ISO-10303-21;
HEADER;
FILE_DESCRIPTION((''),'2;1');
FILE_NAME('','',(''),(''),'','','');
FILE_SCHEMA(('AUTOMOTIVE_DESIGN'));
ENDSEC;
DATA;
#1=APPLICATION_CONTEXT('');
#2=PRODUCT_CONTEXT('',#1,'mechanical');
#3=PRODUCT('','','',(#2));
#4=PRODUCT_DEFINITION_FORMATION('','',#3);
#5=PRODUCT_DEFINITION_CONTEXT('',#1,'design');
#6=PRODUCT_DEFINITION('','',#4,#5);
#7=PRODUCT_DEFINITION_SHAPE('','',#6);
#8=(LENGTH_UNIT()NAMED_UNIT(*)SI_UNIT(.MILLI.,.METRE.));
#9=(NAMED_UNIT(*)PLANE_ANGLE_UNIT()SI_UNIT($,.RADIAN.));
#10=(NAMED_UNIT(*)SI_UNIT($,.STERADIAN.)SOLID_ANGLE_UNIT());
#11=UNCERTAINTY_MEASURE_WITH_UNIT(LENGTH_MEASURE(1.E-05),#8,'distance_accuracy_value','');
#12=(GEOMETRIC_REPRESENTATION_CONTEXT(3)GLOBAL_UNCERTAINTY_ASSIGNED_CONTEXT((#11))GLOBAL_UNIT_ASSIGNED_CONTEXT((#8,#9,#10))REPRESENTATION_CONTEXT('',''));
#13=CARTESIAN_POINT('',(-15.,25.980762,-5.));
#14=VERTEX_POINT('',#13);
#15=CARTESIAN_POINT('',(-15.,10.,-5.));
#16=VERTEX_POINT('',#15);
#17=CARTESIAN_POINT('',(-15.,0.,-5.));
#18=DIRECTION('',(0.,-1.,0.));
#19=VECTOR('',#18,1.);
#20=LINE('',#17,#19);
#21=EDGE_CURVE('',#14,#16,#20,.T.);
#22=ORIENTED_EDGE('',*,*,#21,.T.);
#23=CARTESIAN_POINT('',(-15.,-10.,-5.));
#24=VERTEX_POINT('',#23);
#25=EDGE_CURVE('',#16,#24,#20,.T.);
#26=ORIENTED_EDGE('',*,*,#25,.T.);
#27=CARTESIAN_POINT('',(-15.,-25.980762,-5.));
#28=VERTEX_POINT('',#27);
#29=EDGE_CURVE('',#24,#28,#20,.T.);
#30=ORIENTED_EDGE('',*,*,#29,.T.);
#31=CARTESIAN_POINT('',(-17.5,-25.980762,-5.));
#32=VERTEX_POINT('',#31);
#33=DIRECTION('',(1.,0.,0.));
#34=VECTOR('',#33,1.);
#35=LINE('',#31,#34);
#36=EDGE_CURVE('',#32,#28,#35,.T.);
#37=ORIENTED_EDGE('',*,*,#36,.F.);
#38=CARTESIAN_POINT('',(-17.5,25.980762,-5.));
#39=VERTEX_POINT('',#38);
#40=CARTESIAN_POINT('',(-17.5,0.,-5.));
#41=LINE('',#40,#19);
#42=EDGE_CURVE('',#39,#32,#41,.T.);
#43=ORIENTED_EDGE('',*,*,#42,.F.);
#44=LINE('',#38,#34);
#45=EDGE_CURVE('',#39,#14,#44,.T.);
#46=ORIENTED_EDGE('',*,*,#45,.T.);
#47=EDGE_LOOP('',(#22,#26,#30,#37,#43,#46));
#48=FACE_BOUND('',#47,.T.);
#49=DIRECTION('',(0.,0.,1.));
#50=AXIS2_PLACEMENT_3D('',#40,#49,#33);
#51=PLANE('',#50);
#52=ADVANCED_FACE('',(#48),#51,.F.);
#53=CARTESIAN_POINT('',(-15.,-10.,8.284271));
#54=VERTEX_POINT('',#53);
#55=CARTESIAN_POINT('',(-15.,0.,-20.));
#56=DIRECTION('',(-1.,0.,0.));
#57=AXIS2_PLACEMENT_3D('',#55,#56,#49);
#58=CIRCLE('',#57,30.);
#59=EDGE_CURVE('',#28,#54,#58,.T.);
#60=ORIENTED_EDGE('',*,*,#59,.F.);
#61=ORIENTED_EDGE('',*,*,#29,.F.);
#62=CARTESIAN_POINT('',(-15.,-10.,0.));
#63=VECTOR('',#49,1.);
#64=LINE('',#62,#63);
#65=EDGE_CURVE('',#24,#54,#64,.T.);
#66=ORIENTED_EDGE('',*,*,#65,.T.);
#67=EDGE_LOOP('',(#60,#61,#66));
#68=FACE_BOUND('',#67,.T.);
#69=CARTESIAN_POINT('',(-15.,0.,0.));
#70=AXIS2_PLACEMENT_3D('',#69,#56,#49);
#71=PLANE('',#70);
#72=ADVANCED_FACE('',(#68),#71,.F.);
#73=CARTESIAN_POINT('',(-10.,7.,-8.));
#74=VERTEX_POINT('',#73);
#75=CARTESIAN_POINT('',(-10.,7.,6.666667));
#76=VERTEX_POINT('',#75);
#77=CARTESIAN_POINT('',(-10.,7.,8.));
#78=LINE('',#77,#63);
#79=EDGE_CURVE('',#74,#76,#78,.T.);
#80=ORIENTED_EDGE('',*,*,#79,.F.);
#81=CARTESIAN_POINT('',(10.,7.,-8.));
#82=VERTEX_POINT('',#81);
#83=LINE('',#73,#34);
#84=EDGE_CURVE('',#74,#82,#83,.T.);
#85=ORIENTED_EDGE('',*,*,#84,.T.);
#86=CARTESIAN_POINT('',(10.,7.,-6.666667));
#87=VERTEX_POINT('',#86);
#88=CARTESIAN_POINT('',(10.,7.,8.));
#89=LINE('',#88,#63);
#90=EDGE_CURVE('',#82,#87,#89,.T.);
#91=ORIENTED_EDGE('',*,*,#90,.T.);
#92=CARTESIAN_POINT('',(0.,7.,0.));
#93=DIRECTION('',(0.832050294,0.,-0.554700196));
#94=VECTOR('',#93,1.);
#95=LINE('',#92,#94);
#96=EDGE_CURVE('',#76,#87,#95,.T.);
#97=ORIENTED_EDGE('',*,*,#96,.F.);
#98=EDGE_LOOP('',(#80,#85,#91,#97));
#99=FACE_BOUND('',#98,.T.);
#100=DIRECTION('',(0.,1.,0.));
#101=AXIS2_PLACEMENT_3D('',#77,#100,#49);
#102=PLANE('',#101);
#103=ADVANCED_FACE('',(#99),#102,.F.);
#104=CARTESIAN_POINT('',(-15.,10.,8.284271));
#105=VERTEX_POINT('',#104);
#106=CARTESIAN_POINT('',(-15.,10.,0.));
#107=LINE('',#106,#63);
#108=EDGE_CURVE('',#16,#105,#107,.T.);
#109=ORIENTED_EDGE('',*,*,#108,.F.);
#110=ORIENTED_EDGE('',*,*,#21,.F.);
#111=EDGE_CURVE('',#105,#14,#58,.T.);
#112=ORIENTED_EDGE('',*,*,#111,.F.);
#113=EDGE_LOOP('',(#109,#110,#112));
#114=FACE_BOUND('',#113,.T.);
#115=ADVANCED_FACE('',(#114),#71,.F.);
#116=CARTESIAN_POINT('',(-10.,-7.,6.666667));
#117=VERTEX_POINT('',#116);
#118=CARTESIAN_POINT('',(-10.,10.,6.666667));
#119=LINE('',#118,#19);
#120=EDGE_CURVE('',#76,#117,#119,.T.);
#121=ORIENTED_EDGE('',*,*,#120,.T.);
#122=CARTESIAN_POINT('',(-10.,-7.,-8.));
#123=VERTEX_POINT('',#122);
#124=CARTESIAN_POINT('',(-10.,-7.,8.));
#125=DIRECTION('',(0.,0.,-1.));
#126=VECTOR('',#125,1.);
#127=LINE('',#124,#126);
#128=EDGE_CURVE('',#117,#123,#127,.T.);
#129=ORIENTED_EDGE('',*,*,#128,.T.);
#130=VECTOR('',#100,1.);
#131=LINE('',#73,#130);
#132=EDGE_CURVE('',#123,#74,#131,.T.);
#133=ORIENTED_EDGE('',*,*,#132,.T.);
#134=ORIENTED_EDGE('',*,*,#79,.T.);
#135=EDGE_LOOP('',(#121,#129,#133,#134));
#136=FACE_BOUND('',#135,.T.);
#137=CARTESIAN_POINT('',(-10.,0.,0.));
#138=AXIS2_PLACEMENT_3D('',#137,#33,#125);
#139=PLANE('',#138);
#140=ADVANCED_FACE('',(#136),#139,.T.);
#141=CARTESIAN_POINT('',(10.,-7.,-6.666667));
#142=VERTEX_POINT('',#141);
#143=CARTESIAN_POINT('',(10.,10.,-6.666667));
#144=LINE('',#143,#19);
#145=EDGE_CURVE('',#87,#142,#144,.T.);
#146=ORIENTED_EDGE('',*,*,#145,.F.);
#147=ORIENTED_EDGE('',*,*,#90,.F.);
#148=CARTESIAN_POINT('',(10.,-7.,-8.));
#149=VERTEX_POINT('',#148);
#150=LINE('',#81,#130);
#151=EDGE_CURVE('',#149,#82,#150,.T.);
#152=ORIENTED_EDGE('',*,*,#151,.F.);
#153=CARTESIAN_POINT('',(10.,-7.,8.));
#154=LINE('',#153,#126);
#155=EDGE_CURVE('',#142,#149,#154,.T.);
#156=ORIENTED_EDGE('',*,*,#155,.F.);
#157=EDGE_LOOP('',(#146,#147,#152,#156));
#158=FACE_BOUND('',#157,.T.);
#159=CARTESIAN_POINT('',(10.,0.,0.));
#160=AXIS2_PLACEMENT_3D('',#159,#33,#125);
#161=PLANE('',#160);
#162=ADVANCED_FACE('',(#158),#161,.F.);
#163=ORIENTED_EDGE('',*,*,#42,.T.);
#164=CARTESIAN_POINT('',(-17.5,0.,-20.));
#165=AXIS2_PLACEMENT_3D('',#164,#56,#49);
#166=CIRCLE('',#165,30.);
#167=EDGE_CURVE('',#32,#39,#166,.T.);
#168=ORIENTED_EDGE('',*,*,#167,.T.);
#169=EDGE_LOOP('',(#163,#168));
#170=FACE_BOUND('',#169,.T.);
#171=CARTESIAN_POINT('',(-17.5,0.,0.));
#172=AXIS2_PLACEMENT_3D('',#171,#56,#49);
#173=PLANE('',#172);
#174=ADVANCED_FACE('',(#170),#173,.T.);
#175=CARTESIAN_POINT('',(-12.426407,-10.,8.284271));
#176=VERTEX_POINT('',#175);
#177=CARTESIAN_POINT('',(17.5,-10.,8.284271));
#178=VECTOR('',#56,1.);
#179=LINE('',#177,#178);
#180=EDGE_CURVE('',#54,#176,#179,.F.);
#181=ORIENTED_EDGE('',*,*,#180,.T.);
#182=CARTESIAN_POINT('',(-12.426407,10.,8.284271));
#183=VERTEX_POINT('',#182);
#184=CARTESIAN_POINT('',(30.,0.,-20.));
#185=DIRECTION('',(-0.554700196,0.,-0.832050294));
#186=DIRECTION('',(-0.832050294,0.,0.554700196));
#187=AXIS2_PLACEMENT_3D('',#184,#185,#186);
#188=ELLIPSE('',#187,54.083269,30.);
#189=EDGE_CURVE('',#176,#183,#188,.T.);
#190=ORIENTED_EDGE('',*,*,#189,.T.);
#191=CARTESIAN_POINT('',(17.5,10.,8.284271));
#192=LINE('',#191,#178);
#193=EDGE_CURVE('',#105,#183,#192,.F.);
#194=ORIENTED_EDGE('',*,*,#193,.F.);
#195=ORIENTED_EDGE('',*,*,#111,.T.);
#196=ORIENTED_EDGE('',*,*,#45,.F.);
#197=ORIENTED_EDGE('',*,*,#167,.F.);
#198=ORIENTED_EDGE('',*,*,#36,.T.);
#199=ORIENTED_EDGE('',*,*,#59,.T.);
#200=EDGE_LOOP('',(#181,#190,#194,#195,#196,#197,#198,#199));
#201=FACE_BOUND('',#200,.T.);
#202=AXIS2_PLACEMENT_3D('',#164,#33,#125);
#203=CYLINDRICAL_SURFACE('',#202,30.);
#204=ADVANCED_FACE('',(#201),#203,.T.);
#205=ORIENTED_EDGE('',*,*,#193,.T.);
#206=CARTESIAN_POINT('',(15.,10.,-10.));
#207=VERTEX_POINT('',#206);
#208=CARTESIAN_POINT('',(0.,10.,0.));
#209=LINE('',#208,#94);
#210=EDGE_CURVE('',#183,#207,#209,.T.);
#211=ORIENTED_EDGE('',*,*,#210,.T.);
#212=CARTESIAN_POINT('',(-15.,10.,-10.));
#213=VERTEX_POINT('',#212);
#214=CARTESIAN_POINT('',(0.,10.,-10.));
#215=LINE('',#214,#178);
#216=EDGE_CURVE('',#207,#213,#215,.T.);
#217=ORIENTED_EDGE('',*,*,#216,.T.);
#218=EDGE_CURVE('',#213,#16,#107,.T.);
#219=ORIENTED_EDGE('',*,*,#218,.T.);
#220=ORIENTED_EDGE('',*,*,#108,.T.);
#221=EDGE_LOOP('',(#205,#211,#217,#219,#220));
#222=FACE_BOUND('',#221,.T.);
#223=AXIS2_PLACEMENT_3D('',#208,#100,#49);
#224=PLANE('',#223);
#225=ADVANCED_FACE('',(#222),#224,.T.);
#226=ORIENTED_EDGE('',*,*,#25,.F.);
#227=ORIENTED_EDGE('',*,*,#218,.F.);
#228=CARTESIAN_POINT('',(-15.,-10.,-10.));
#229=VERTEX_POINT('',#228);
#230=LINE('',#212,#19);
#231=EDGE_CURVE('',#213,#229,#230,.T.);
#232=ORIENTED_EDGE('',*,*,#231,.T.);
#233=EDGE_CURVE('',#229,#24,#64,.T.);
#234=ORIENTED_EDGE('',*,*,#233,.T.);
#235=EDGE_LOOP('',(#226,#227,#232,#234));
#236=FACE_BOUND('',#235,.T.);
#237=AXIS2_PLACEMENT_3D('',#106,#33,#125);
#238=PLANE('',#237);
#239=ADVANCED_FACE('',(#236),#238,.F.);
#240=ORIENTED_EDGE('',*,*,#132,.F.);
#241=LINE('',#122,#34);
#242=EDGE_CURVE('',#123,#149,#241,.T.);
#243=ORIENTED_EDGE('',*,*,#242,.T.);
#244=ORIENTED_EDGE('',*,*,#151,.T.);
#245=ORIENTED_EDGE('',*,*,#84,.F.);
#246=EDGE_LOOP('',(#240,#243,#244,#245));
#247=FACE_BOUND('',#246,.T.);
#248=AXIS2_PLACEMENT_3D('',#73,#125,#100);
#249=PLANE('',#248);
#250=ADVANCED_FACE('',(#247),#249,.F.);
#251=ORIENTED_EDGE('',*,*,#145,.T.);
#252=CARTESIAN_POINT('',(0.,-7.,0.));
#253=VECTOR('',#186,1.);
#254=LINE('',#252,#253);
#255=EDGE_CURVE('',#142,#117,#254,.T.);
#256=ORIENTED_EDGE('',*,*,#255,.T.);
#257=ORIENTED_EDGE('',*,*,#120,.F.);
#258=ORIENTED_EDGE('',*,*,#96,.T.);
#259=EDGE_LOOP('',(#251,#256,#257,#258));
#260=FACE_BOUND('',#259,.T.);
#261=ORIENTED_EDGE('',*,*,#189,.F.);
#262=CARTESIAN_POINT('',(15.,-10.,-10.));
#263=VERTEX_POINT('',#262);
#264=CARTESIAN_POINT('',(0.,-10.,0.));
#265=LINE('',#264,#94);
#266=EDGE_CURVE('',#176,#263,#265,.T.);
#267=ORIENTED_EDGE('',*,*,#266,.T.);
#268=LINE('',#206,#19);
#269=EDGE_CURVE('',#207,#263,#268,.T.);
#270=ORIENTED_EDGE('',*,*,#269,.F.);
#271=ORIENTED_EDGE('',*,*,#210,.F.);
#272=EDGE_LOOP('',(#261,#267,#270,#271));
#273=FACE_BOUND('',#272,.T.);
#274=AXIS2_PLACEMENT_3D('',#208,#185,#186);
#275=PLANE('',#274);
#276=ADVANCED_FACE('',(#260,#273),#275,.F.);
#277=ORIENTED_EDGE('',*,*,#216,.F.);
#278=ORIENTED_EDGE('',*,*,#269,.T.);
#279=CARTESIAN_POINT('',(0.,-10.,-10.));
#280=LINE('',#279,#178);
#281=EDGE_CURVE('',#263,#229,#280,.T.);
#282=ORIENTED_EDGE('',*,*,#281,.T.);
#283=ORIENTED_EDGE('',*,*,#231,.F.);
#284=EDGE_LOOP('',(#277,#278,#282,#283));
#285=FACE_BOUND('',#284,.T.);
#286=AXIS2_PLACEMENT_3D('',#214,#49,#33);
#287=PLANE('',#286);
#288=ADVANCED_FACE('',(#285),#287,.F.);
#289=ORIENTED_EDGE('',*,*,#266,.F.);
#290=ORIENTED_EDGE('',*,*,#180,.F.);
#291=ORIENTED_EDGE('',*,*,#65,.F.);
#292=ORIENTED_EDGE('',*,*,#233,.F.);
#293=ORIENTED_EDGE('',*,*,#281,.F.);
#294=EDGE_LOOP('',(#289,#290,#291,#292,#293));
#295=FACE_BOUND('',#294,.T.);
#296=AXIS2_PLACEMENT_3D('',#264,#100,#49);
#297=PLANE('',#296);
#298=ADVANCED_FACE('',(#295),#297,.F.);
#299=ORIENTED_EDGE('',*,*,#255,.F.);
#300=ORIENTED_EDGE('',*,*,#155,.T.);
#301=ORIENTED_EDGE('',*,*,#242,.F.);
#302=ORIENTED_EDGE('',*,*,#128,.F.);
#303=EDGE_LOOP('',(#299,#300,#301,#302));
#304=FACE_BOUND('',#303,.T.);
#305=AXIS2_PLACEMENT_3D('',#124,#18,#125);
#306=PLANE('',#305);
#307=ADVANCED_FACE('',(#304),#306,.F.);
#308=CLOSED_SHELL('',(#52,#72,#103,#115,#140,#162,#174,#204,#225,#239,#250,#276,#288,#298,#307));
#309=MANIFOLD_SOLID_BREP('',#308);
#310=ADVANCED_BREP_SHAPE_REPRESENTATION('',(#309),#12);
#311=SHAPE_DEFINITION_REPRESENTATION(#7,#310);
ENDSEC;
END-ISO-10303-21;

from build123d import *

# Parameters (mm, degrees)
BOSS_EXTRUDE1_DEPTH     = 10
SKETCH2_W               = 16
SKETCH2_H               = 14
CUT_EXTRUDE1_DEPTH      = 10
BOSS_EXTRUDE2_DEPTH     = 2.5
CUT_EXTRUDE_THIN1_START = -32.5
SKETCH3_4_R             = 40
SKETCH3_4_R_2           = 30
CUT_EXTRUDE_THIN1_DEPTH = 32.5


with BuildPart() as part:
    # Sketch1 → Boss-Extrude1 (new, symmetric)
    with BuildSketch(Plane(origin=(0, 0, 0), x_dir=(1, 0, 0), z_dir=(0, 1, 0))):
        Polygon((-15, 10), (-15, -10), (15, 10), align=None)
    extrude(amount=BOSS_EXTRUDE1_DEPTH, both=True)

    # Sketch2 → Cut-Extrude1 (cut, symmetric)
    with BuildSketch(Plane(origin=(0, 0, 0), x_dir=(0, 0, -1), z_dir=(1, 0, 0))):
        Rectangle(SKETCH2_W, SKETCH2_H)
    extrude(amount=CUT_EXTRUDE1_DEPTH, both=True, mode=Mode.SUBTRACT)

    # Sketch3 → Boss-Extrude2 (add)
    with BuildSketch(Plane.ZY.offset(15)):
        with BuildLine():
            Line((-5, 25.980762114), (-5, -25.980762114))
            ThreePointArc((-5, -25.980762114), (10, 0), (-5, 25.980762114))
        make_face()
    extrude(amount=BOSS_EXTRUDE2_DEPTH)

    # Sketch3<4> → Cut-Extrude-Thin1 (cut)
    with BuildSketch(Plane.ZY.offset(15).offset(CUT_EXTRUDE_THIN1_START)):
        with Locations((-20, 0)):
            Circle(SKETCH3_4_R)
        with Locations((-20, 0)):
            Circle(SKETCH3_4_R_2, mode=Mode.SUBTRACT)
    extrude(amount=CUT_EXTRUDE_THIN1_DEPTH, mode=Mode.SUBTRACT)


solid = part.part
